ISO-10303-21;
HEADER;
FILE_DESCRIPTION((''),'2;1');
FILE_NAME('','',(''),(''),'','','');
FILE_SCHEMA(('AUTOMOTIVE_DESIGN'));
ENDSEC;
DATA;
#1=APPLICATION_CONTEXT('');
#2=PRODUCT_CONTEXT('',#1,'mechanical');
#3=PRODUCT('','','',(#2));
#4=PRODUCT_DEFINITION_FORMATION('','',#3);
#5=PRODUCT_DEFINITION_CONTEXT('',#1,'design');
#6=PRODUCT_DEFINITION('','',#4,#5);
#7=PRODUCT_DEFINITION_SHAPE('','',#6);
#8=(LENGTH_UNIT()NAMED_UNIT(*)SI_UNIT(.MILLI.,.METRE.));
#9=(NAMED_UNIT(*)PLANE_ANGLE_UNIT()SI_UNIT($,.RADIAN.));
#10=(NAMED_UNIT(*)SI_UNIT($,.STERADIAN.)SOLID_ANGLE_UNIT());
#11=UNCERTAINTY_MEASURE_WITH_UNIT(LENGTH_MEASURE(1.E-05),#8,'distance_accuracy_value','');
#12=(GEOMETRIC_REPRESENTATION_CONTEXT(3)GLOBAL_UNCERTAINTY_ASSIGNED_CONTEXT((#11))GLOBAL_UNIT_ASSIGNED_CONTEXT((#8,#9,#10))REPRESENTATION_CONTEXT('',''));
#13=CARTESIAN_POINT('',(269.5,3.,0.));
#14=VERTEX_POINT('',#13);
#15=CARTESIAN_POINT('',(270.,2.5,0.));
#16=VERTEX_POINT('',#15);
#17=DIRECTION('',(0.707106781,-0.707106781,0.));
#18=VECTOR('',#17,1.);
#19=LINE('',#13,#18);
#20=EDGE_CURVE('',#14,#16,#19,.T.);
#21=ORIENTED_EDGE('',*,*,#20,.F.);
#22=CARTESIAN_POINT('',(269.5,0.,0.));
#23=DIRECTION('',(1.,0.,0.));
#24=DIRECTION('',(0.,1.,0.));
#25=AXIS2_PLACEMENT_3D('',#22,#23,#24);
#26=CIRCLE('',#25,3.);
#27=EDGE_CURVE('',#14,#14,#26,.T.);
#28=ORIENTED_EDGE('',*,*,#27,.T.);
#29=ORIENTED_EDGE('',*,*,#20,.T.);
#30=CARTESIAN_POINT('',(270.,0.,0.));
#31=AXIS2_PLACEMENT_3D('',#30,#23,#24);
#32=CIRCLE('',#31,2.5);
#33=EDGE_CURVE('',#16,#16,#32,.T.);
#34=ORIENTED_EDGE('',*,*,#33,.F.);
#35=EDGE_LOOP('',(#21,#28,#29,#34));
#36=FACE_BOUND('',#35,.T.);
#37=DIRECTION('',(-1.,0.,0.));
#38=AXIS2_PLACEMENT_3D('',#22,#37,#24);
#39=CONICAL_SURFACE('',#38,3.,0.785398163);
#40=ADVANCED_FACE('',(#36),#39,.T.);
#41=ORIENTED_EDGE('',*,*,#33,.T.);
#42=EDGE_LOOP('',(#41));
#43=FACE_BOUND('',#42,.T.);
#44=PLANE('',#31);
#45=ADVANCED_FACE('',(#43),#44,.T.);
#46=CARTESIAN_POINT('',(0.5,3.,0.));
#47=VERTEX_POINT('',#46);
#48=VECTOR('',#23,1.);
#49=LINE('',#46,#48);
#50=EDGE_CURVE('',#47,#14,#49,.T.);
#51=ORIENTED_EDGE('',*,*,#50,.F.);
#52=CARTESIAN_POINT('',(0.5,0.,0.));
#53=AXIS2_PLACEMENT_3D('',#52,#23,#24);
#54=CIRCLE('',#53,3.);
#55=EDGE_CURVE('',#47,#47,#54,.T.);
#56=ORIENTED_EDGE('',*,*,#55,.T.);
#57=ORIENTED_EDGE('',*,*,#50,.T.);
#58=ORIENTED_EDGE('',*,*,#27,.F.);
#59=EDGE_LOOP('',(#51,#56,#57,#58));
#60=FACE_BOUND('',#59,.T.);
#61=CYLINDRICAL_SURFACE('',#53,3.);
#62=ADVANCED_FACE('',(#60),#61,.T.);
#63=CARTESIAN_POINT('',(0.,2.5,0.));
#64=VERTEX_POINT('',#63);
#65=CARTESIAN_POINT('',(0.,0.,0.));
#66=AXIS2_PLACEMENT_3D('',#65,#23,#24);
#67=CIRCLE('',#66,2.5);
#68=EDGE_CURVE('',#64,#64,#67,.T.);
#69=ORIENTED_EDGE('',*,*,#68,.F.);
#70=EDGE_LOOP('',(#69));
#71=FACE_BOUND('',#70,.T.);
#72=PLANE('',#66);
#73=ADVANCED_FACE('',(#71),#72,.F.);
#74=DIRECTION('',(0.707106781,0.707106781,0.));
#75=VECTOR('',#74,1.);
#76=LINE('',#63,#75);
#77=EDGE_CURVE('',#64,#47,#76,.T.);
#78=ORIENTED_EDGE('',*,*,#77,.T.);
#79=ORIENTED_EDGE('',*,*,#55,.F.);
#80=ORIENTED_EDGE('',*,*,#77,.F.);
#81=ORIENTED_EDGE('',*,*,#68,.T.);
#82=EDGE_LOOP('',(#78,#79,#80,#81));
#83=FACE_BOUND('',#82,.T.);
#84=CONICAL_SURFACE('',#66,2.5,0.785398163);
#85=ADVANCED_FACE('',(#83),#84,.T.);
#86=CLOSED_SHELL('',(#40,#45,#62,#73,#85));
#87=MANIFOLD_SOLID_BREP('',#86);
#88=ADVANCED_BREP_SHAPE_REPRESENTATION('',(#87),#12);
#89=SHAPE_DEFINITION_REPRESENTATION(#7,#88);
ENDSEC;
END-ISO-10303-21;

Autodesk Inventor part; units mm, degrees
ref_plane "YZ Plane" through (0, 0, 0) normal (1, 0, 0) x (0, 1, 0)
ref_plane "XZ Plane" through (0, 0, 0) normal (0, 1, 0) x (-1, 0, 0)
ref_plane "XY Plane" through (0, 0, 0) normal (0, 0, 1) x (1, 0, 0)
sketch "Sketch_3" plane through (0, 0, 0) normal (0, 0, 1) x (1, 0, 0)
  line L0 (270, 0) -> (0, 0)
  line L1 (0, 0) -> (0, 2.5)
  line L2 (0, 2.5) -> (0.5, 3)
  line L3 (0.5, 3) -> (269.5, 3)
  line L4 (269.5, 3) -> (270, 2.5)
  line L5 (270, 2.5) -> (270, 0)
  line L6 (270, 0) -> (0, 0)
revolve "Revolution1" add sketch "Sketch_3" angle 360 about axis through (270, 0, 0) along (1, 0, 0)
properties part number "PSFG6-270"
